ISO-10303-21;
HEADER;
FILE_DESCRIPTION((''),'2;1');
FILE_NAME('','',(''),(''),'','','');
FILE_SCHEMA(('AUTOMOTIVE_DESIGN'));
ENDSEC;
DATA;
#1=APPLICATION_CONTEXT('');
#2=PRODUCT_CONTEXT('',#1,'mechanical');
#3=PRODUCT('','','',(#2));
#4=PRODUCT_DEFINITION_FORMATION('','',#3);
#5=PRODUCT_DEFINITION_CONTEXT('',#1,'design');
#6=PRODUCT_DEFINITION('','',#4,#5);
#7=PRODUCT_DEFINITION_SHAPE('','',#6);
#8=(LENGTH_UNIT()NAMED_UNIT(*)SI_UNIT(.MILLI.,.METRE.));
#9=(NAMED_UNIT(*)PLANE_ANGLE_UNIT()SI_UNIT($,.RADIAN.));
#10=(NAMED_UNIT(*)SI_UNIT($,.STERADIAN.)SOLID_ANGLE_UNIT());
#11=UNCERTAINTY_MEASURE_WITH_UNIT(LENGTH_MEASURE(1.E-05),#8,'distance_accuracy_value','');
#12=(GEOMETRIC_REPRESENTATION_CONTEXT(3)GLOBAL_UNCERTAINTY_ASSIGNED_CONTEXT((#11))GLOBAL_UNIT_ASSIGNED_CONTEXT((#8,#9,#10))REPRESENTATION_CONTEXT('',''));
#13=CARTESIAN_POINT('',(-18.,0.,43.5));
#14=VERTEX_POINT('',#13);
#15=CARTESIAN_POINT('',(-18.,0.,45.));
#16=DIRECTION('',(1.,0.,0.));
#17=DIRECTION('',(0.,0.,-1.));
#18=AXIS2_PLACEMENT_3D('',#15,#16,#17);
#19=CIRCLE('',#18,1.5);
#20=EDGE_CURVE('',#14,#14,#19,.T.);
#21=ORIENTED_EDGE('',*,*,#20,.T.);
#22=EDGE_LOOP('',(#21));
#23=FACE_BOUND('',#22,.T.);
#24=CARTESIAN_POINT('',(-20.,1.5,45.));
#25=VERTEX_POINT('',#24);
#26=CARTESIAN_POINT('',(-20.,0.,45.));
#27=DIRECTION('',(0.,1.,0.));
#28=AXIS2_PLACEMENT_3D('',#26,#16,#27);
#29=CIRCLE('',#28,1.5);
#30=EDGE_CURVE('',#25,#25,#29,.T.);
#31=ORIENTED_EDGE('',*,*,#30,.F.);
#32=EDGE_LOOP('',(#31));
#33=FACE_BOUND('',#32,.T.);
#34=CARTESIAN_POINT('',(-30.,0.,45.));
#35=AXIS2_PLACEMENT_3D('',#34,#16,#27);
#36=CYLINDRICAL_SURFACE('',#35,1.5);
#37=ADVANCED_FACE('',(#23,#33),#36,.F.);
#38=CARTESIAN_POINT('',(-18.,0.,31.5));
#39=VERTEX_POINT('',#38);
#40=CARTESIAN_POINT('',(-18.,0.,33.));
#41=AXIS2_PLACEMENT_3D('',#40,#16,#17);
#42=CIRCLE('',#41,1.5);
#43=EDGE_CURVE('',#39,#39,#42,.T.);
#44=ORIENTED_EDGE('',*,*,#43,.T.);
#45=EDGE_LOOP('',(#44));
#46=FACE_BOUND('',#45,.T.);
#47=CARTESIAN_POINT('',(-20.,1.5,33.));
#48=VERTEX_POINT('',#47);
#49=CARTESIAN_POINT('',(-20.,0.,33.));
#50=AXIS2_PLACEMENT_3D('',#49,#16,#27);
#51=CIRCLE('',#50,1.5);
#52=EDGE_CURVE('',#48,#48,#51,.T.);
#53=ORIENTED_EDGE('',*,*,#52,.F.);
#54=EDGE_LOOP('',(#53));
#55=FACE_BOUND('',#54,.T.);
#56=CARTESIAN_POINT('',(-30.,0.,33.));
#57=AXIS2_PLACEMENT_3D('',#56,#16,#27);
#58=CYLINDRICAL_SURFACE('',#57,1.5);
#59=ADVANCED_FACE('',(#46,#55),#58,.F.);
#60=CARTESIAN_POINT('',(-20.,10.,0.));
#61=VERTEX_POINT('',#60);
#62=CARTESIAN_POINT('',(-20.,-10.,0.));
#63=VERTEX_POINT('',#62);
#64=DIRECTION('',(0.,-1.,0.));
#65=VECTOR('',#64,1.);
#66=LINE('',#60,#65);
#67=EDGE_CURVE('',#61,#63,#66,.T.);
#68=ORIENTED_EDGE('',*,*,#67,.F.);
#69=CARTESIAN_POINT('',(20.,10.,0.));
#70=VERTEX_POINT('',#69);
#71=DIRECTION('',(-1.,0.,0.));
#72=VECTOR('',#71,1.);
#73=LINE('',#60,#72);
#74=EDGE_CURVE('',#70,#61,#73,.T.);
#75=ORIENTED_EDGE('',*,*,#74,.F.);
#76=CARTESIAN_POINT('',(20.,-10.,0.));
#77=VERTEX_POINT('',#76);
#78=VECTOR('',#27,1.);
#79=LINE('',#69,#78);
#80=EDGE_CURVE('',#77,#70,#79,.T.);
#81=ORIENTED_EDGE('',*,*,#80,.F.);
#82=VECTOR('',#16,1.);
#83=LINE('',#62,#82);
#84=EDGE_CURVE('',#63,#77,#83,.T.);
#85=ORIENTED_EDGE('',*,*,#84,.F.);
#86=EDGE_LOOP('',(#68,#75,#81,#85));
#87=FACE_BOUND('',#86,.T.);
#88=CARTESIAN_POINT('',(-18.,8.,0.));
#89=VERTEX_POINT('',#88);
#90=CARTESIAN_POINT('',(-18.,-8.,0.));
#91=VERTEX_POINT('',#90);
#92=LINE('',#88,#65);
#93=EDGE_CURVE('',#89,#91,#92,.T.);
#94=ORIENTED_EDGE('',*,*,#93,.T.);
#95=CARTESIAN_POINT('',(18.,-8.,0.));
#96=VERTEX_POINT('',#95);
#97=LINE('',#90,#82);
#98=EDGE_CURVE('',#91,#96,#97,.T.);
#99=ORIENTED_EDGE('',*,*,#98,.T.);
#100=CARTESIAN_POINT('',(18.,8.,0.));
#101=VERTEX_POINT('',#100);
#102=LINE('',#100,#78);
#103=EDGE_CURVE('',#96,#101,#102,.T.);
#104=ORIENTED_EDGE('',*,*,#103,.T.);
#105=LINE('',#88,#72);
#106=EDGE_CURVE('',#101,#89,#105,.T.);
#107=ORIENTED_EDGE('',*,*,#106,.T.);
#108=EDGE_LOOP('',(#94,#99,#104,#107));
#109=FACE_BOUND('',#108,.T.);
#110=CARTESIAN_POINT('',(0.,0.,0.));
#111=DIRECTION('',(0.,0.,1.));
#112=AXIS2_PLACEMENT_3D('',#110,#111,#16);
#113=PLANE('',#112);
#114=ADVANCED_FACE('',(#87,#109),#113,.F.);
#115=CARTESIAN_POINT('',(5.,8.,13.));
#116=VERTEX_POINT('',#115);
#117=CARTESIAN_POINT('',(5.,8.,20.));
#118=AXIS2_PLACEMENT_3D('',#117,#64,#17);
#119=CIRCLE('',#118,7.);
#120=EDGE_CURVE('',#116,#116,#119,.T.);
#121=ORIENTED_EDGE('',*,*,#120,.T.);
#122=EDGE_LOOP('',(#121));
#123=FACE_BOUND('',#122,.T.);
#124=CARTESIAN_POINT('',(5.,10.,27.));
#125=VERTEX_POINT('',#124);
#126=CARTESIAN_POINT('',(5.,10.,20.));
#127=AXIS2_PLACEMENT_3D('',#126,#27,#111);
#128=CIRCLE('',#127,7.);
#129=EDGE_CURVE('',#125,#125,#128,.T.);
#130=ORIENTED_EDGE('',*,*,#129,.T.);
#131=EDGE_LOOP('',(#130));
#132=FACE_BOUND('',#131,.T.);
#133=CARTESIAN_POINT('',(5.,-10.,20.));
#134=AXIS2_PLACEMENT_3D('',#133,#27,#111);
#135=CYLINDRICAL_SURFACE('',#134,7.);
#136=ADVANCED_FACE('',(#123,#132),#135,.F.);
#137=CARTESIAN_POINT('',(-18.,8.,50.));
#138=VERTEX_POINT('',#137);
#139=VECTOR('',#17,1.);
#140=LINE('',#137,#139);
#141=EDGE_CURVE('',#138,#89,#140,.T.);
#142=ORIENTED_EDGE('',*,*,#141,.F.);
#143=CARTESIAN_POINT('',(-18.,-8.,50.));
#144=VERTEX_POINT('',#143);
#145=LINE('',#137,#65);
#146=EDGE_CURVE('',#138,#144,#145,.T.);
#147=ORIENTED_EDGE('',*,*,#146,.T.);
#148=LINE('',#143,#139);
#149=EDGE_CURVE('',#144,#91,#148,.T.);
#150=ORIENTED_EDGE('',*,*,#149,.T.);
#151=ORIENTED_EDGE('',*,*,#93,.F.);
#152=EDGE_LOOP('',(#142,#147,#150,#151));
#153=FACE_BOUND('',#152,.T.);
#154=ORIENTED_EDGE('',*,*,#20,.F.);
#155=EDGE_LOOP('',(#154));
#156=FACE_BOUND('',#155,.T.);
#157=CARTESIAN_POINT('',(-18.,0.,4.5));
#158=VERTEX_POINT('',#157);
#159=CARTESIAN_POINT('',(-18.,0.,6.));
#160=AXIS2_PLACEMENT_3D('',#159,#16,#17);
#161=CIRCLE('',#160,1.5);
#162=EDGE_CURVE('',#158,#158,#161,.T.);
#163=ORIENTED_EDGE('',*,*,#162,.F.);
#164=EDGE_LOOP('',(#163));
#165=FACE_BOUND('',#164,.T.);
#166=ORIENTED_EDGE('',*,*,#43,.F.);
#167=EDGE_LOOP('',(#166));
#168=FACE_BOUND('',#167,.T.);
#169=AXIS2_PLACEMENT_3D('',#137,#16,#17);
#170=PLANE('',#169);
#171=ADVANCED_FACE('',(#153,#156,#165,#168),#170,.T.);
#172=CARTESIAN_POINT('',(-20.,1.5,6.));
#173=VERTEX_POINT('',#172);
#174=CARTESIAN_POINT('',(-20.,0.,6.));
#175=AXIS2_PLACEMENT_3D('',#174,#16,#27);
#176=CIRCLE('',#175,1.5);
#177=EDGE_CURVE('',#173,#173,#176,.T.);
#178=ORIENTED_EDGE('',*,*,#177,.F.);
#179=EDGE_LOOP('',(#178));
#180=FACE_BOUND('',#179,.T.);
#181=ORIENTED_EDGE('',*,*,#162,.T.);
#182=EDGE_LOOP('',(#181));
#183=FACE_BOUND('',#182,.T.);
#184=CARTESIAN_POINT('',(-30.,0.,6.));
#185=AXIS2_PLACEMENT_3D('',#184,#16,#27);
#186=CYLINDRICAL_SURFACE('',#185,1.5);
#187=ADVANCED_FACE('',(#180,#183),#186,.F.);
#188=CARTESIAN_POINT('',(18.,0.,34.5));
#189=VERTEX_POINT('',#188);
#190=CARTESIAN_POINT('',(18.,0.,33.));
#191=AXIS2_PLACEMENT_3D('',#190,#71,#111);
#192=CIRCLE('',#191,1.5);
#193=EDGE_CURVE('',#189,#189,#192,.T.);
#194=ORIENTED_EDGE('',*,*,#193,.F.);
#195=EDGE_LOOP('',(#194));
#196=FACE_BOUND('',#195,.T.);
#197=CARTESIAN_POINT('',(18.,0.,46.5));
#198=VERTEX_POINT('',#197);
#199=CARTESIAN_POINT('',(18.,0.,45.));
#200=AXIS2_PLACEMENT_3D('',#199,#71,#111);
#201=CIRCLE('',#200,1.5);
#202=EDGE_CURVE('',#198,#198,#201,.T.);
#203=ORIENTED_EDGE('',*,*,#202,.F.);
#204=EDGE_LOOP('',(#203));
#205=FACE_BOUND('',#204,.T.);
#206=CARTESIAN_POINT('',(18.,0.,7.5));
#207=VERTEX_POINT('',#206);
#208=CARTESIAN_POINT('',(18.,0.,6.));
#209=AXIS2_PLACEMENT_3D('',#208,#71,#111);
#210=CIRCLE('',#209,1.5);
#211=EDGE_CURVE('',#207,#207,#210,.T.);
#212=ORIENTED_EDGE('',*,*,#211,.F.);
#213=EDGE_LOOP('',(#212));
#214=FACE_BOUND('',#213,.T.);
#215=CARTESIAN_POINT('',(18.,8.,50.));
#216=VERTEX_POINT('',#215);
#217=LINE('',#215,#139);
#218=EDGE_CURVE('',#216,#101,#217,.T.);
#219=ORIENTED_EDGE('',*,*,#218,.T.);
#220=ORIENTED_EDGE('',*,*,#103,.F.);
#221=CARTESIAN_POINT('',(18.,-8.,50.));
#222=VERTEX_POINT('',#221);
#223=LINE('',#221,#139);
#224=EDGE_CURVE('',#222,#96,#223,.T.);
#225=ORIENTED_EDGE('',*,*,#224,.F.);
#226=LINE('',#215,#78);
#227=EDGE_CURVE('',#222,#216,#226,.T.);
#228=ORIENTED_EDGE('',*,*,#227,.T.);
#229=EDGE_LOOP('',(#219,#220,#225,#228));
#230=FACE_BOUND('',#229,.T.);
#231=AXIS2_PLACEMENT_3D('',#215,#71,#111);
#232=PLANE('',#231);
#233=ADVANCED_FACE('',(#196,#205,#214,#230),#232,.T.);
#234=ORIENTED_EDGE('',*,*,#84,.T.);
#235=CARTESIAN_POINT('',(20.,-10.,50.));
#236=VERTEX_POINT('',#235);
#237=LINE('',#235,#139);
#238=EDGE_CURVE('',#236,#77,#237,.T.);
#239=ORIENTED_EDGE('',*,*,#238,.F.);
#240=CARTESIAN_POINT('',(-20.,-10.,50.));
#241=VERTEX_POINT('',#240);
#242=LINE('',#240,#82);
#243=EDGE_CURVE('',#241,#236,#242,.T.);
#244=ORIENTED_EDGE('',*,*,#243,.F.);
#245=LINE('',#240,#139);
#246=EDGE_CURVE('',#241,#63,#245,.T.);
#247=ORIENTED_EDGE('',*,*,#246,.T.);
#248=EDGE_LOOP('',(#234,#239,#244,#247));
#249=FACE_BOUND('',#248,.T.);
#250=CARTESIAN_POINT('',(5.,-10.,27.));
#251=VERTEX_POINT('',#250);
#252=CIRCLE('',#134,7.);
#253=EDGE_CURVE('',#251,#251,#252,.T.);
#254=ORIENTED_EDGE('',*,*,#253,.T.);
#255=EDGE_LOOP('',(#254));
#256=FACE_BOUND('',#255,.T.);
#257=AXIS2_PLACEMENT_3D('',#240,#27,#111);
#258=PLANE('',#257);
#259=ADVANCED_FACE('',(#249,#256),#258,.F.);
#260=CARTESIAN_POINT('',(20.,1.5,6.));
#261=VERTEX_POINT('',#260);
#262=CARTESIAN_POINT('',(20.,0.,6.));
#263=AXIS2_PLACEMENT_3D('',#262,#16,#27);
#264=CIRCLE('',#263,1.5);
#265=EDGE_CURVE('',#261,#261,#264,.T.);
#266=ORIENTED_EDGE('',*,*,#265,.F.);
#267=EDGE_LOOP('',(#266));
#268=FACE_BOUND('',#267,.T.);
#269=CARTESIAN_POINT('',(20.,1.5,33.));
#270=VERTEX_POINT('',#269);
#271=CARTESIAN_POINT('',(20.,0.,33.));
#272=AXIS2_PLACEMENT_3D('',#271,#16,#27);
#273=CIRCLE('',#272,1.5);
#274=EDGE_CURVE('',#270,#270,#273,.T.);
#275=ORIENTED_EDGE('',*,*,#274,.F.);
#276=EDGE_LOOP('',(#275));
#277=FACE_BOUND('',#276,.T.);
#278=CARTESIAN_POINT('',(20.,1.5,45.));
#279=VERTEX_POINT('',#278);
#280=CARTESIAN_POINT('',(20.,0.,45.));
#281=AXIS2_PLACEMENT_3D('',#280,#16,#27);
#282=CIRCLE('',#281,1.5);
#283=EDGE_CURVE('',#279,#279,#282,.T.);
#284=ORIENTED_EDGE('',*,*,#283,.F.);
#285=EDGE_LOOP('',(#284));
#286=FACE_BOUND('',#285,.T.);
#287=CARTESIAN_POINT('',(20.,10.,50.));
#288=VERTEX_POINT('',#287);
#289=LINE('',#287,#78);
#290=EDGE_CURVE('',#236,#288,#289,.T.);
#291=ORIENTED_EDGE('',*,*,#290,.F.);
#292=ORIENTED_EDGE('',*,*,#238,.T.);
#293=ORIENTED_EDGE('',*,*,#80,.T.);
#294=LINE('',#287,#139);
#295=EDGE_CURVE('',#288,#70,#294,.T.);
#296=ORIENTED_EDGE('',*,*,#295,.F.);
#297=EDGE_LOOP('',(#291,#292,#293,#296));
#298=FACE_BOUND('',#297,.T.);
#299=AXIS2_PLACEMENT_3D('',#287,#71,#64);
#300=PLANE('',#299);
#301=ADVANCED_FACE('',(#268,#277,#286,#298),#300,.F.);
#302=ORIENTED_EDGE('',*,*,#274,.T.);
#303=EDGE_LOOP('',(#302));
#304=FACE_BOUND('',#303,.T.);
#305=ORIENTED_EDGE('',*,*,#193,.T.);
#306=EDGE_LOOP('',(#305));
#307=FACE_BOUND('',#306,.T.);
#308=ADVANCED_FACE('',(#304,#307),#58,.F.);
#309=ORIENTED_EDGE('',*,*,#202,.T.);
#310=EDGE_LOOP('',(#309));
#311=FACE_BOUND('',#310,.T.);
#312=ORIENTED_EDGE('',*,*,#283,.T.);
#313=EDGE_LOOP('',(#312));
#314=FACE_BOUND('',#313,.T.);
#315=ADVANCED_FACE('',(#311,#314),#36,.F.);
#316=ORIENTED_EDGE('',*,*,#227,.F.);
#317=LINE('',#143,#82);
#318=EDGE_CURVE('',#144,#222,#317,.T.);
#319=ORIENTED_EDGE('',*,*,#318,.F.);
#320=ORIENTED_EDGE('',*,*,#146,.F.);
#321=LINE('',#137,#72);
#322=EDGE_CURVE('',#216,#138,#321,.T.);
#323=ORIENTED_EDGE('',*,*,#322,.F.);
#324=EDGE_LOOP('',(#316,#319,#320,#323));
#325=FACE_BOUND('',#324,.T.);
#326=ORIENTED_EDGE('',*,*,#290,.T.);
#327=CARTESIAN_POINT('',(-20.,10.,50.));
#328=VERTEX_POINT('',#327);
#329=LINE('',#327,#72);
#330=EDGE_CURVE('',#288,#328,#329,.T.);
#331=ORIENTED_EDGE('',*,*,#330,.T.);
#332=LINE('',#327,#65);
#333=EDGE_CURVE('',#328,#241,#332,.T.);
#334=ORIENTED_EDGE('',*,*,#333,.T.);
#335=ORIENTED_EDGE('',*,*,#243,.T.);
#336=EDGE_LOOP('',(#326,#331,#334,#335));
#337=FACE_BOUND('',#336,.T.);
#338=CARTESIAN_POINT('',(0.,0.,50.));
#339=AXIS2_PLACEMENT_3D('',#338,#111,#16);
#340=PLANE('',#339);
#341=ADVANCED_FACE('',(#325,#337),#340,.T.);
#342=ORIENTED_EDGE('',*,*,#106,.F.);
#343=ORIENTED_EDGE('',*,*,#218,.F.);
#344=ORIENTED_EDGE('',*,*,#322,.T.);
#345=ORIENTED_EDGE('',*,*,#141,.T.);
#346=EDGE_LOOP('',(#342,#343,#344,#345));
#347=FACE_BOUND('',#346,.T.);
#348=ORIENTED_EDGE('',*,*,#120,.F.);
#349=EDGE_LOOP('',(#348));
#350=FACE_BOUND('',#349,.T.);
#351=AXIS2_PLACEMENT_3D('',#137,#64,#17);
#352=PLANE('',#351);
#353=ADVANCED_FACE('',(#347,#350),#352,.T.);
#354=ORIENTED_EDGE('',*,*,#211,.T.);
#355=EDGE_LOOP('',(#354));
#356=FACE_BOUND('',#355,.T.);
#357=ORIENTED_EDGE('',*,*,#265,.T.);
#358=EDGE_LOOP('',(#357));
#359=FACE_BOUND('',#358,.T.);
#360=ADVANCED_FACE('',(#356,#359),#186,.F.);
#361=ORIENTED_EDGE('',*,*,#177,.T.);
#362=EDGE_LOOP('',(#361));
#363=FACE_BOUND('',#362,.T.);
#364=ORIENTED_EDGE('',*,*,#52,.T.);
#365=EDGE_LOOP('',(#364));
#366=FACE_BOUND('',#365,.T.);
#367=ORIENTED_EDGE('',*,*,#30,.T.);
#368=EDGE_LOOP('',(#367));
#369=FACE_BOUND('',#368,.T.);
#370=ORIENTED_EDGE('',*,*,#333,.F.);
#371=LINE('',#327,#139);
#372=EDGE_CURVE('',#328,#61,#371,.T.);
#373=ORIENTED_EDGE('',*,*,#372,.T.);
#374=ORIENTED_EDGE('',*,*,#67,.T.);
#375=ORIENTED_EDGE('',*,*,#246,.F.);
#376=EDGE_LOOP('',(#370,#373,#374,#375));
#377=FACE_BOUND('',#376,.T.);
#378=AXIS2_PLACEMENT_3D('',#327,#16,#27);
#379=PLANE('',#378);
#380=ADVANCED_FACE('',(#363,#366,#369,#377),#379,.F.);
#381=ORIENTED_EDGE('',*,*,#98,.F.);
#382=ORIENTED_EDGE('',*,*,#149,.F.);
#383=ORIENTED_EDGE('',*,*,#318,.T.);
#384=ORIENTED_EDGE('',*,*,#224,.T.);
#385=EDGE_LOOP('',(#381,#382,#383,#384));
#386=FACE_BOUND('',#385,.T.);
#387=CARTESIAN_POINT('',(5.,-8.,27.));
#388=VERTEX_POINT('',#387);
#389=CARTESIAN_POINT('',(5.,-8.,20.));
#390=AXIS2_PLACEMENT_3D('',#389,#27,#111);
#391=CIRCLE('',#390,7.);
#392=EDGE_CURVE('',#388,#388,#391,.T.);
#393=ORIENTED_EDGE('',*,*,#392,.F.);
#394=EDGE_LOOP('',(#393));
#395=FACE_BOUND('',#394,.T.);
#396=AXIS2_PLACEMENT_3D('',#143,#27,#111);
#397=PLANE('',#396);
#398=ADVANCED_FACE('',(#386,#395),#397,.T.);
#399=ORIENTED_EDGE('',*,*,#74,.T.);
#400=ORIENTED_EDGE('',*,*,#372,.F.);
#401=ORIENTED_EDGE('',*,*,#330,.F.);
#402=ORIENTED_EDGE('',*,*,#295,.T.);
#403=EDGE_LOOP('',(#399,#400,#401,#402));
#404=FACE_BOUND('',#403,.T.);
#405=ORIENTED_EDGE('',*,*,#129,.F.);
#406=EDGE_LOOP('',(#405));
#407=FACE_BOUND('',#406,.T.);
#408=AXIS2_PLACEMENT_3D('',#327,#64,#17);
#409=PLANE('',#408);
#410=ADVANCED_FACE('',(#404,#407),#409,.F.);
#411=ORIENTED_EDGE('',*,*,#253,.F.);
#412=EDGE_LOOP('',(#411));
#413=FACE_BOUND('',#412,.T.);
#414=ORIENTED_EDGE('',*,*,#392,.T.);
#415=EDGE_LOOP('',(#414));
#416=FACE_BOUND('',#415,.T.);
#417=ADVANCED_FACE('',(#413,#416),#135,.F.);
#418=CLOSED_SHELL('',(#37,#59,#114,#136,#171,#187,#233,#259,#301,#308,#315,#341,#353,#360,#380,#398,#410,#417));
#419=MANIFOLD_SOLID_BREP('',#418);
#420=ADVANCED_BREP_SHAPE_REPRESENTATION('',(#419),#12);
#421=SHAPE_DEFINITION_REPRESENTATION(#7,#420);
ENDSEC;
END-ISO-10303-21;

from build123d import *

# Parameters (mm, degrees)
SKETCH_1_W          = 40
SKETCH_1_H          = 20
SKETCH_1_W_2        = 36
SKETCH_1_H_2        = 16
EXTRUDE_1_DEPTH     = 50
SKETCH_2_R          = 7
CUT_EXTRUDE_1_DEPTH = 20
SKETCH_3_R          = 1.5
CUT_EXTRUDE_2_DEPTH = 50


with BuildPart() as part:
    # 草图1 → 凸台-拉伸1 (new body)
    with BuildSketch(Plane.XY):
        Rectangle(SKETCH_1_W, SKETCH_1_H)
        Rectangle(SKETCH_1_W_2, SKETCH_1_H_2, mode=Mode.SUBTRACT)
    extrude(amount=EXTRUDE_1_DEPTH)

    # 草图2 → 切除-拉伸1 (cut)
    with BuildSketch(Plane(origin=(0, 10, 0), x_dir=(1, 0, 0), z_dir=(0, 1, 0))):
        with Locations(Location((5, -20, 0), (0, 0, 270))):
            Circle(SKETCH_2_R)
    extrude(amount=-CUT_EXTRUDE_1_DEPTH, mode=Mode.SUBTRACT)

    # 草图3 → 切除-拉伸2 (cut)
    with BuildSketch(Plane(origin=(20, 0, 0), x_dir=(0, 0, -1), z_dir=(1, 0, 0))):
        with Locations(Location((-6, 0, 0), (0, 0, 90))):
            Circle(SKETCH_3_R)
        with Locations(Location((-33, 0, 0), (0, 0, 90))):
            Circle(SKETCH_3_R)
        with Locations(Location((-45, 0, 0), (0, 0, 90))):
            Circle(SKETCH_3_R)
    extrude(amount=-CUT_EXTRUDE_2_DEPTH, mode=Mode.SUBTRACT)


solid = part.part
